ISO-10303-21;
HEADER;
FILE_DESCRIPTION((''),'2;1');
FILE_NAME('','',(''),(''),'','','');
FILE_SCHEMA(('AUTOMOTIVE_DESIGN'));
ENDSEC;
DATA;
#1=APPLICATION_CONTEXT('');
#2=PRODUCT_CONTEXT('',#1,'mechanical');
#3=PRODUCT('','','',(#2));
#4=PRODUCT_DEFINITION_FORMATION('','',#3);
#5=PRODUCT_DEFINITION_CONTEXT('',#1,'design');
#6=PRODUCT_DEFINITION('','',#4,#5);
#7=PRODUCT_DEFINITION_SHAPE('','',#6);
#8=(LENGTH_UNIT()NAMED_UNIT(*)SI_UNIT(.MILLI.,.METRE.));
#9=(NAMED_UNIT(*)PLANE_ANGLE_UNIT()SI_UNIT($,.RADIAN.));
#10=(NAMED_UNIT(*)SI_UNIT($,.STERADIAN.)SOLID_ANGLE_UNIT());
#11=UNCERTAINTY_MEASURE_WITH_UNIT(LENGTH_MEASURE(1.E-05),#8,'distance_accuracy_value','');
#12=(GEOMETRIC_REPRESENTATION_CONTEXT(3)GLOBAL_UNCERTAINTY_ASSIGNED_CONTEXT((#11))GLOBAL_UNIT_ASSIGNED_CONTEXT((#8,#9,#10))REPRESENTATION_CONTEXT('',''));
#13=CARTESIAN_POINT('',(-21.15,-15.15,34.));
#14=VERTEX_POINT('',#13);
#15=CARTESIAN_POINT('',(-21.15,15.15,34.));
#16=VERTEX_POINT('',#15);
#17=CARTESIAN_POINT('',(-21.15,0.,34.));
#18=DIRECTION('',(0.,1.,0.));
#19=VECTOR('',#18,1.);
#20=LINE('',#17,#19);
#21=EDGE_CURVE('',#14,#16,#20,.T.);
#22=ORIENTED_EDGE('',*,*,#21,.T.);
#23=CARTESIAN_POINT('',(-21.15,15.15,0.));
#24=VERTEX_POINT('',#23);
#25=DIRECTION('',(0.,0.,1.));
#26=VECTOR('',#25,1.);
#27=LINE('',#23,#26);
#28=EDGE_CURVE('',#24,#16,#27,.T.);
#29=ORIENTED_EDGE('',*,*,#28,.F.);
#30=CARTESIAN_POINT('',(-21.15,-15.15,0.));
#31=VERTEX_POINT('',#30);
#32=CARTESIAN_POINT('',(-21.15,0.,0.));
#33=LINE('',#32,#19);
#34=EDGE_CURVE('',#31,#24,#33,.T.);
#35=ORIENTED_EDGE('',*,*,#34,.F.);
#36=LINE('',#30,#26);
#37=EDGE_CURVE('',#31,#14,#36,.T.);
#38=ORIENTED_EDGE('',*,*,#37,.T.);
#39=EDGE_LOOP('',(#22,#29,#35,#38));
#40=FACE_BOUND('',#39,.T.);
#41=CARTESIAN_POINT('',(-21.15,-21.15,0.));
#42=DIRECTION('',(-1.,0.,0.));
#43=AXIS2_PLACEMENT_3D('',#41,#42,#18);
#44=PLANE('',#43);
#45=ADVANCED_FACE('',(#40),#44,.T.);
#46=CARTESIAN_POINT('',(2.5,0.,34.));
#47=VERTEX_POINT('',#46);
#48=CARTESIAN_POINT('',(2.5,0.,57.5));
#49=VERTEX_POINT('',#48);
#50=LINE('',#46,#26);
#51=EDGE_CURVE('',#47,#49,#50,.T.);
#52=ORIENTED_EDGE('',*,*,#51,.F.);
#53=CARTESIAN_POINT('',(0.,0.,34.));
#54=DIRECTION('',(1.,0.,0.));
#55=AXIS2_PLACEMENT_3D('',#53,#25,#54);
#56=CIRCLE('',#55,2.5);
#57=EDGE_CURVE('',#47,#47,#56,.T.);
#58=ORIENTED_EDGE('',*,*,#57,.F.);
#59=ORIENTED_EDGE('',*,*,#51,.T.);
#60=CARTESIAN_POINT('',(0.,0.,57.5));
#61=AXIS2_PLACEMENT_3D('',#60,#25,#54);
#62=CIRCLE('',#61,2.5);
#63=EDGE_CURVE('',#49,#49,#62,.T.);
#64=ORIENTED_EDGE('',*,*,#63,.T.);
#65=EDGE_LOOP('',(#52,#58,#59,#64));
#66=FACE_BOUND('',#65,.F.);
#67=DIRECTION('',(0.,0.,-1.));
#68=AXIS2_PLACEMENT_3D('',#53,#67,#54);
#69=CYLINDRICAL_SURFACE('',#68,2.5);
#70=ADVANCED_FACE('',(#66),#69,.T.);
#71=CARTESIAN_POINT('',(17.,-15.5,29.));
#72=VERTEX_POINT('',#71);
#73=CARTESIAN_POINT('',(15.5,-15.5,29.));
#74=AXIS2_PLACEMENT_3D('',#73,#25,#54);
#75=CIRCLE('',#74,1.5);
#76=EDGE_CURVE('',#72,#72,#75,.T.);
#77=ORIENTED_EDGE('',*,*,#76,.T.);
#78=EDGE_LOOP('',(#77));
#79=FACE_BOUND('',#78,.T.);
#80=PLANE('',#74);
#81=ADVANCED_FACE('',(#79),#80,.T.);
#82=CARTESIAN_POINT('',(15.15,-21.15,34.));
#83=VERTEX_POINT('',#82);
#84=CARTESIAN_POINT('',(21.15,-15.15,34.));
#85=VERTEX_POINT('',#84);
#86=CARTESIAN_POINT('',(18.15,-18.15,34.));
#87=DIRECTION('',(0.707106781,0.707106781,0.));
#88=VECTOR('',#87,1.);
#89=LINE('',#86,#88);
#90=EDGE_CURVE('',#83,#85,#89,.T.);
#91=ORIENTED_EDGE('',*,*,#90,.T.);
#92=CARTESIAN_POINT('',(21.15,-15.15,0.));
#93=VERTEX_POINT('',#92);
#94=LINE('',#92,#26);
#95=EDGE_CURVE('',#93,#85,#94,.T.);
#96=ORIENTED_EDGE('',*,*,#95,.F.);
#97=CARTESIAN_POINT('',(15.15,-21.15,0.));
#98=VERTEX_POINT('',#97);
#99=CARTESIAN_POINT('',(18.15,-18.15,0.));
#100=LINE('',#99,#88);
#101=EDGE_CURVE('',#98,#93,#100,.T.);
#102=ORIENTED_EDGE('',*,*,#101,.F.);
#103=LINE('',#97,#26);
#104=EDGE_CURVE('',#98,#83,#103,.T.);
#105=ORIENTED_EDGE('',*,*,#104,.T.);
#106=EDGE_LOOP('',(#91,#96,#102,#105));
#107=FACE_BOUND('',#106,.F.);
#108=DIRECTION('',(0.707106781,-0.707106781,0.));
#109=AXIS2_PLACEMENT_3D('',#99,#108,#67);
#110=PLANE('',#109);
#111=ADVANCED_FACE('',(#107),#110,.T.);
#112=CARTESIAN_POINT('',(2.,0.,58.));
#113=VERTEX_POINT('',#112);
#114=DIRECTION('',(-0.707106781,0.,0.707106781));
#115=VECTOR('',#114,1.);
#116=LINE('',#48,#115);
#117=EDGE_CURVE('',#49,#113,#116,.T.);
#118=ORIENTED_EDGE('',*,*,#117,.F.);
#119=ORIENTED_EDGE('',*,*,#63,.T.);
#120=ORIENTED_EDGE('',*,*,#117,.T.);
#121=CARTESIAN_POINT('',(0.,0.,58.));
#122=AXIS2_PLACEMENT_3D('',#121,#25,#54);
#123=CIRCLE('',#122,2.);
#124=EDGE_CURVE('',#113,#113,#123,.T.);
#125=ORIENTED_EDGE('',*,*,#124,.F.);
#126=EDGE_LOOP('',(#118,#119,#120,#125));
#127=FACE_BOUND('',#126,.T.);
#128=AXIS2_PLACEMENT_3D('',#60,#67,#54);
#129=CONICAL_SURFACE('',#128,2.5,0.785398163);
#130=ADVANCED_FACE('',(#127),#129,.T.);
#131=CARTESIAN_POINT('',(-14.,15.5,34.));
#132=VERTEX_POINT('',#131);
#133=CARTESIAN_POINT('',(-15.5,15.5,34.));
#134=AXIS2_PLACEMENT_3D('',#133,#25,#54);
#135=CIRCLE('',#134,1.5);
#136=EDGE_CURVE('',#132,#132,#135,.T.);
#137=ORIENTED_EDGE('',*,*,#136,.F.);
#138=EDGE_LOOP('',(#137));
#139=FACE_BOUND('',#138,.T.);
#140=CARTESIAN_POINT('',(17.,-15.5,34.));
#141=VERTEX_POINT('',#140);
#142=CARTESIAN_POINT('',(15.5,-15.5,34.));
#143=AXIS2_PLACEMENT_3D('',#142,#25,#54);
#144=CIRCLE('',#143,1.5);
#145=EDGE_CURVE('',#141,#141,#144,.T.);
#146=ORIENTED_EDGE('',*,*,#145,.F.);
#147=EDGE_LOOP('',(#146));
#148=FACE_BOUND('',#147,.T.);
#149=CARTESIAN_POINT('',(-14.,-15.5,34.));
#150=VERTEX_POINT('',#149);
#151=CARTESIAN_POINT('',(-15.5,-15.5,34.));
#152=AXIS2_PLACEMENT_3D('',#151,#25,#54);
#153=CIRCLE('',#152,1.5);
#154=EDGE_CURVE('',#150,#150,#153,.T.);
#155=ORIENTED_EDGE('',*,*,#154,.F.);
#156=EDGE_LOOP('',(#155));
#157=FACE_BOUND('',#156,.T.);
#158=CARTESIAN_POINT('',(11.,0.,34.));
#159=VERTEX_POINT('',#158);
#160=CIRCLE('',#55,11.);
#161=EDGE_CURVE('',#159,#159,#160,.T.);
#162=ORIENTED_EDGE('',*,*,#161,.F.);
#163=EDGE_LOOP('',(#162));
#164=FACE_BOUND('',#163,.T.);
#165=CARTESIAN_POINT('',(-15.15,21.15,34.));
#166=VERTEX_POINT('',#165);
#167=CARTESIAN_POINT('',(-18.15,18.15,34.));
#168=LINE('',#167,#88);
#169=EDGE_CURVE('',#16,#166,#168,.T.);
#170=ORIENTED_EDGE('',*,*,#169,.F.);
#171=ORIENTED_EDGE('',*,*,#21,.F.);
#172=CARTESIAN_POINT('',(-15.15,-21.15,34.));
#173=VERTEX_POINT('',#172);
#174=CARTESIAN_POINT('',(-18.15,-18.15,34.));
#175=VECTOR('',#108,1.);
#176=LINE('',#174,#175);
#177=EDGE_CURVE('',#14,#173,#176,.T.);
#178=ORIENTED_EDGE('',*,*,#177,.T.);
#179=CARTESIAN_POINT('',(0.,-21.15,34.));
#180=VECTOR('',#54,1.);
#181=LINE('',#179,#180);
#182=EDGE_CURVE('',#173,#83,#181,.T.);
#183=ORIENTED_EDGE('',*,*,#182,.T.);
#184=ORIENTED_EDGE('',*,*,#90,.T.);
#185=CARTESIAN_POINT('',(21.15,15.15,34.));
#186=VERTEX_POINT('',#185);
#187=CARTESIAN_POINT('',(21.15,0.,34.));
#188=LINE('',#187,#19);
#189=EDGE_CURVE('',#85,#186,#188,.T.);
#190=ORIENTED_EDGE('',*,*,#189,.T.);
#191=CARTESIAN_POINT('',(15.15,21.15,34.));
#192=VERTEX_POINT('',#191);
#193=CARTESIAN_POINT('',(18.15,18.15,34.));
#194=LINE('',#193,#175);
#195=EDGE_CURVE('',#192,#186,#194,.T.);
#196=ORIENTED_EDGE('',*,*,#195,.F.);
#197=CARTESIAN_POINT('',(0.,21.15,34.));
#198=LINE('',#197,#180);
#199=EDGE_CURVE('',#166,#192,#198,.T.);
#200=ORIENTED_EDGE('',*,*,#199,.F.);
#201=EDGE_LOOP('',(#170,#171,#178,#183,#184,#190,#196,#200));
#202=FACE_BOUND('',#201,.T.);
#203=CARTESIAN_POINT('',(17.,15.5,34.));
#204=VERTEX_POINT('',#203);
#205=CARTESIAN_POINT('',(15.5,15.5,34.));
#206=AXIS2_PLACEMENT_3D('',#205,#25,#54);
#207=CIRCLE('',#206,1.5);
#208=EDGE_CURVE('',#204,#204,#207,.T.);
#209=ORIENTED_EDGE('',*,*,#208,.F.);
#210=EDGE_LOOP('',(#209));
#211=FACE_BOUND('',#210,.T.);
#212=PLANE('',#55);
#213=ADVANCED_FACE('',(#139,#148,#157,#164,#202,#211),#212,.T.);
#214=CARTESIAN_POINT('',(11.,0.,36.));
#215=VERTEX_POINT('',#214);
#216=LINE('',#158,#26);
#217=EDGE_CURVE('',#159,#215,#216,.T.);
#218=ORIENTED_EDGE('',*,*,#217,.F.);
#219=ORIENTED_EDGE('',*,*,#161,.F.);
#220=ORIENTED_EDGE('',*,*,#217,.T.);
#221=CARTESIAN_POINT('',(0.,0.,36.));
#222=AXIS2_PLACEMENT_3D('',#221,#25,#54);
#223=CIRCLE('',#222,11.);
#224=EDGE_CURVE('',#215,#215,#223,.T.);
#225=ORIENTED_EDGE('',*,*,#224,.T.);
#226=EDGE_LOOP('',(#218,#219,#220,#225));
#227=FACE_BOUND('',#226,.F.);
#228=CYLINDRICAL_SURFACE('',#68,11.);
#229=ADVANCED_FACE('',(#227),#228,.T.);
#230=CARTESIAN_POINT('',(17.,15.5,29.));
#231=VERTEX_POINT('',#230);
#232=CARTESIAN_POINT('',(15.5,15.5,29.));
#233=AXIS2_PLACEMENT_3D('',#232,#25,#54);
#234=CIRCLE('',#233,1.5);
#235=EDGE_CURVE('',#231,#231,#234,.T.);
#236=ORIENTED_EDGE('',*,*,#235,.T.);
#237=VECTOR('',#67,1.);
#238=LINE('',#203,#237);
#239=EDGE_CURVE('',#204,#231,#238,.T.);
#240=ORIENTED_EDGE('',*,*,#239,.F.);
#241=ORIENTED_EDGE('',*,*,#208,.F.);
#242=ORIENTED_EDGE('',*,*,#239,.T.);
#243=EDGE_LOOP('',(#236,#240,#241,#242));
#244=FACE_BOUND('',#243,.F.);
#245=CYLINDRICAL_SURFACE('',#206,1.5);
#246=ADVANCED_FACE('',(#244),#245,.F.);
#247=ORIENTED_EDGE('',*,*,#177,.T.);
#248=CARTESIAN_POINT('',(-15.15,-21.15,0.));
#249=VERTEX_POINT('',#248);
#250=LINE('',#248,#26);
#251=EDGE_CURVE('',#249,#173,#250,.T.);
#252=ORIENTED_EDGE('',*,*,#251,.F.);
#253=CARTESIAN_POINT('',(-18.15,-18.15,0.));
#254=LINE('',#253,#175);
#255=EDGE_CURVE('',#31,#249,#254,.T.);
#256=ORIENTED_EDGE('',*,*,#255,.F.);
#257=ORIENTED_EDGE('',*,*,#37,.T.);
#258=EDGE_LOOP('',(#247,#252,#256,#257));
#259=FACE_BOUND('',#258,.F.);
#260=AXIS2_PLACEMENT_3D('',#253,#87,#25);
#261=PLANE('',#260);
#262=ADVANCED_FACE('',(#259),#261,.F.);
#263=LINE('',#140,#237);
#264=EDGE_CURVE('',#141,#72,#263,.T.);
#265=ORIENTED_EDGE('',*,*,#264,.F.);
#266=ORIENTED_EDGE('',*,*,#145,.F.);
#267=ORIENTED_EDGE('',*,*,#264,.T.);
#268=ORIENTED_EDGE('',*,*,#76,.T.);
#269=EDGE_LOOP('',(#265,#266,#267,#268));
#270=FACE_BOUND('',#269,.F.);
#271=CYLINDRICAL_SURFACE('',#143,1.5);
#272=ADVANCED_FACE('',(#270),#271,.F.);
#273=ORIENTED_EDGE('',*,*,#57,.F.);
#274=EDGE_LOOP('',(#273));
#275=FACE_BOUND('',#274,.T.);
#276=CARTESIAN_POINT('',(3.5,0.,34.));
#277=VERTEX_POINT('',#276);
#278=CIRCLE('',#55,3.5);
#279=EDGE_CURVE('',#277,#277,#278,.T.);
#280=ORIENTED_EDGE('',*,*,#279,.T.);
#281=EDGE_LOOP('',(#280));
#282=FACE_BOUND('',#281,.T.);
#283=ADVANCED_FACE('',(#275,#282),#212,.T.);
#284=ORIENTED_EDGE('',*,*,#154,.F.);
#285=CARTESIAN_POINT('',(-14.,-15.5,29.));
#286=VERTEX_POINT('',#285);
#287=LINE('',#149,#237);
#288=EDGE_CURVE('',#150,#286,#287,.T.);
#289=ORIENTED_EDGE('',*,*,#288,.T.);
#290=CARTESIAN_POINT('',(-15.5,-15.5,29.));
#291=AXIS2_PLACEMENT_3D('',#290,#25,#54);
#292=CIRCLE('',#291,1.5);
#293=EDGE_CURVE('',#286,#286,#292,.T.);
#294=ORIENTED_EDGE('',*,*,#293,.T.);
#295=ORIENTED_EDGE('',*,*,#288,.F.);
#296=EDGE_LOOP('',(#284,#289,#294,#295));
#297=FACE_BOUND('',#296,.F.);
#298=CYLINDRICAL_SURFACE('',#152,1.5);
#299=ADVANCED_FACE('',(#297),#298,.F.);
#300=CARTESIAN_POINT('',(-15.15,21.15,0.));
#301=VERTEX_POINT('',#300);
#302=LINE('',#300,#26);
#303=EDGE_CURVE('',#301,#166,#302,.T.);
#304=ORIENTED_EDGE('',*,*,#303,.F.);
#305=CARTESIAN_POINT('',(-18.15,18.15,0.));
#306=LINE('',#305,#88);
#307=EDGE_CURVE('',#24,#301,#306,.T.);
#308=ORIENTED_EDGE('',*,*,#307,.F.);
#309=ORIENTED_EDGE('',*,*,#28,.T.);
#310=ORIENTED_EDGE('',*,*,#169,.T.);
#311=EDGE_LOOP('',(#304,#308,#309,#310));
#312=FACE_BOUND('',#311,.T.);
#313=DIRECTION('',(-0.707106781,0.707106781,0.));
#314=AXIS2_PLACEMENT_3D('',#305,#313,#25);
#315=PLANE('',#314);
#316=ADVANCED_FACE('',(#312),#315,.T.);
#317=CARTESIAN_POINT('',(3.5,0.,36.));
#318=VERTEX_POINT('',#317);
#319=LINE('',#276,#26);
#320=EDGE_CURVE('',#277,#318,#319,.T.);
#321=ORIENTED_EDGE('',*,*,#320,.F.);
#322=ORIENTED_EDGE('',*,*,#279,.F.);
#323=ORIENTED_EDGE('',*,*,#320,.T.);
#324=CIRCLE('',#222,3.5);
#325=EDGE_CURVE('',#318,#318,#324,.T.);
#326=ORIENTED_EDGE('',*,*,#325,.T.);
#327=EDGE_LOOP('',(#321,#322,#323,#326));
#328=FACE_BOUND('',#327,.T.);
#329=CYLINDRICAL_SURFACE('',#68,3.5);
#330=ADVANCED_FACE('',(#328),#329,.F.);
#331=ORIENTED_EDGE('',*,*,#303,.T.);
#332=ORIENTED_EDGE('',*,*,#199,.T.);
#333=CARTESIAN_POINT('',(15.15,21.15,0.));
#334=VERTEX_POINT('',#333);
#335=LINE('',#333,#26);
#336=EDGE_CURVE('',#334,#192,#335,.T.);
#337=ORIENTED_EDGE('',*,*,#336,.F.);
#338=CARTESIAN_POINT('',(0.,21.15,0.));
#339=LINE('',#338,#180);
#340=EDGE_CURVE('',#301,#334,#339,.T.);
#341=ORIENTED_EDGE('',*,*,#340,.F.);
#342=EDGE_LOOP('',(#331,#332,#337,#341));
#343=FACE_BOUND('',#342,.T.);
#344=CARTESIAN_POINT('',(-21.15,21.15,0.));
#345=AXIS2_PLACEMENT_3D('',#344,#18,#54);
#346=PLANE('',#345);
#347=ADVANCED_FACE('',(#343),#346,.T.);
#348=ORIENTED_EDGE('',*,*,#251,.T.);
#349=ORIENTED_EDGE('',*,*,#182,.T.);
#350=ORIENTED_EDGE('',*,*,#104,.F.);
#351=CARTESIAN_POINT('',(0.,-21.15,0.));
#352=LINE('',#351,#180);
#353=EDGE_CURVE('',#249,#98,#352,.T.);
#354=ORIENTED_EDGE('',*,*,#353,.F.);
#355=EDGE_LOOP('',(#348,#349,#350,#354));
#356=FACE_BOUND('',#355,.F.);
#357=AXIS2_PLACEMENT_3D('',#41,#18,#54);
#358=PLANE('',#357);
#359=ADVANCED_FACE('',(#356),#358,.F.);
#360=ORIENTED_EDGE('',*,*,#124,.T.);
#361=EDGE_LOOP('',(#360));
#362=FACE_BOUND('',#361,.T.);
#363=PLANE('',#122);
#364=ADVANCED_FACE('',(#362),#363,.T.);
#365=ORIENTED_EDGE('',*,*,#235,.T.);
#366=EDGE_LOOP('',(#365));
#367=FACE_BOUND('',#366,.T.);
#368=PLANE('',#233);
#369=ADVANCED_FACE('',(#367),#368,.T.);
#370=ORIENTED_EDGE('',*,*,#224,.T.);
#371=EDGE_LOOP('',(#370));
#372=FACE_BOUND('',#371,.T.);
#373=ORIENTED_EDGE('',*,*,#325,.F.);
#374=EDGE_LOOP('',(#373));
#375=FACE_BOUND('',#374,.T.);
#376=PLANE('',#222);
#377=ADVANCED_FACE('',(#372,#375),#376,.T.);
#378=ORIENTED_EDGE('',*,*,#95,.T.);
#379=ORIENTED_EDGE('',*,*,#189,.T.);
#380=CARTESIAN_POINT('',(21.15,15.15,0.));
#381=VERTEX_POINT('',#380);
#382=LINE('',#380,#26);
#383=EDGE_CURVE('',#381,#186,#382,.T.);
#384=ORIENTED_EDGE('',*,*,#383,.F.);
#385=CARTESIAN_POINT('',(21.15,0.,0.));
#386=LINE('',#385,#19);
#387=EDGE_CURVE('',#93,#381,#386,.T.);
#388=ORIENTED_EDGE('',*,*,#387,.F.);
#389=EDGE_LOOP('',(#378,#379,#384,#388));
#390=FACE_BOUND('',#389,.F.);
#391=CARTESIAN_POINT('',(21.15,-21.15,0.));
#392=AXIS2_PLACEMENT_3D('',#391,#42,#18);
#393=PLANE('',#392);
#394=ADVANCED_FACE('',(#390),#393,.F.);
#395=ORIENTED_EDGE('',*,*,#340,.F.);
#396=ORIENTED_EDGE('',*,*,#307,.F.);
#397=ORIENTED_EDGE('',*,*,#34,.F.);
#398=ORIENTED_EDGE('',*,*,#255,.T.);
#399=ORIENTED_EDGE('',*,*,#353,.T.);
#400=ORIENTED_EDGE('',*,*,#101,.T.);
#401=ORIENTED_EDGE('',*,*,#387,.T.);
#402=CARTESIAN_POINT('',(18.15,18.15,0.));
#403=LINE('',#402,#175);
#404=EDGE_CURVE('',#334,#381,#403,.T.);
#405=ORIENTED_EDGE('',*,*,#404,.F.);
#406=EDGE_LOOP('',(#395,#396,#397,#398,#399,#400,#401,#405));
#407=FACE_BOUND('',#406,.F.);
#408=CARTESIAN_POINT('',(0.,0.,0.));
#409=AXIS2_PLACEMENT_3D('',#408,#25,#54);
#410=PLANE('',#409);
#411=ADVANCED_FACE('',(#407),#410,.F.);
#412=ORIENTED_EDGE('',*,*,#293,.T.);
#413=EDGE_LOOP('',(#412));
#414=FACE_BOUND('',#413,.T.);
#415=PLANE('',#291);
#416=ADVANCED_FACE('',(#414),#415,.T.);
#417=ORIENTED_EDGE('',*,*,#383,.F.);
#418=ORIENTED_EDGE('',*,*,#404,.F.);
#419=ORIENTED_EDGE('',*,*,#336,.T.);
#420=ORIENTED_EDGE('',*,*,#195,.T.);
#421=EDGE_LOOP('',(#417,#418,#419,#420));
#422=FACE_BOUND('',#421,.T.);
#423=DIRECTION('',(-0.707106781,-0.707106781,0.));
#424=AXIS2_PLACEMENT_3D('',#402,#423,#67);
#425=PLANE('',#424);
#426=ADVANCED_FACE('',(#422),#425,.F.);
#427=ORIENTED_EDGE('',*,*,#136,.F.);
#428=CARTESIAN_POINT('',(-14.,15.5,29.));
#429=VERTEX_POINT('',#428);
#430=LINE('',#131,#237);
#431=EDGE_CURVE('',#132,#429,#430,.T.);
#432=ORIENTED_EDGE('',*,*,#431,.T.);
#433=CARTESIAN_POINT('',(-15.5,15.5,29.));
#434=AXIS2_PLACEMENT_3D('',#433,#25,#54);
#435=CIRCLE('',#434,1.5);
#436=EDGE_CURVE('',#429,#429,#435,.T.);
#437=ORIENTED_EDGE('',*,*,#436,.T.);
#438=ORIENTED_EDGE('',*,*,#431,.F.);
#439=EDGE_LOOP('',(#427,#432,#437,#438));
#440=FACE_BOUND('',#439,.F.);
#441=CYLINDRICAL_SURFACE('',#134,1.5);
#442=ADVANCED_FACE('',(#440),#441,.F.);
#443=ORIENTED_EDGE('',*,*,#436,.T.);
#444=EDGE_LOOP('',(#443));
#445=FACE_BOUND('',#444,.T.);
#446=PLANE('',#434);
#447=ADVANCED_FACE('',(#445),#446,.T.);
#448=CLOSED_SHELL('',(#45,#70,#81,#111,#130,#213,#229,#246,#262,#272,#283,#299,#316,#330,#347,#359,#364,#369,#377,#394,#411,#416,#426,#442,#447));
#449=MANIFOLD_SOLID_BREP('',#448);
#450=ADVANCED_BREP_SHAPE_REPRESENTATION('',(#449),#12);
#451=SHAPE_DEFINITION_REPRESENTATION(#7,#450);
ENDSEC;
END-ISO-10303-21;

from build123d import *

# Parameters (mm, degrees)
F0_W     = 42.3
F0_H     = 42.3
F1_DEPTH = 34
F2_R     = 11
F2_R_2   = 3.5
F3_DEPTH = 2
F4_R     = 2.5
F5_DEPTH = 24
F6_SIZE  = 0.5
F7_R     = 1.5
F8_DEPTH = 5
F9_SIZE  = 6


with BuildPart() as f1:
    # F0 (on Top) → F1 (new body)
    with BuildSketch(Plane.XY):
        Rectangle(F0_W, F0_H)
    extrude(amount=F1_DEPTH)

    # F2 (on face) → F3 (join)
    with BuildSketch(Plane.XY.offset(34)):
        Circle(F2_R)
        Circle(F2_R_2, mode=Mode.SUBTRACT)
    extrude(amount=F3_DEPTH)

    # F4 (on face) → F5 (join)
    with BuildSketch(Plane.XY.offset(34)):
        Circle(F4_R)
    extrude(amount=F5_DEPTH)

    # F6
    f6_edges = [f1.edges().sort_by_distance(p)[0] for p in [
        (-2.5, 0, 58),
    ]]
    chamfer(f6_edges, length=F6_SIZE)

    # F7 (on face) → F8 (cut)
    with BuildSketch(Plane.XY.offset(34)):
        with Locations((-15.5, 15.5)):
            Circle(F7_R)
        with Locations((-15.5, -15.5)):
            Circle(F7_R)
        with Locations((15.5, 15.5)):
            Circle(F7_R)
        with Locations((15.5, -15.5)):
            Circle(F7_R)
    extrude(amount=-F8_DEPTH, mode=Mode.SUBTRACT)

    # F9
    f9_edges = [f1.edges().sort_by_distance(p)[0] for p in [
        (21.15, -21.15, 17),
        (-21.15, -21.15, 17),
        (21.15, 21.15, 17),
        (-21.15, 21.15, 17),
    ]]
    chamfer(f9_edges, length=F9_SIZE)


solid = f1.part
